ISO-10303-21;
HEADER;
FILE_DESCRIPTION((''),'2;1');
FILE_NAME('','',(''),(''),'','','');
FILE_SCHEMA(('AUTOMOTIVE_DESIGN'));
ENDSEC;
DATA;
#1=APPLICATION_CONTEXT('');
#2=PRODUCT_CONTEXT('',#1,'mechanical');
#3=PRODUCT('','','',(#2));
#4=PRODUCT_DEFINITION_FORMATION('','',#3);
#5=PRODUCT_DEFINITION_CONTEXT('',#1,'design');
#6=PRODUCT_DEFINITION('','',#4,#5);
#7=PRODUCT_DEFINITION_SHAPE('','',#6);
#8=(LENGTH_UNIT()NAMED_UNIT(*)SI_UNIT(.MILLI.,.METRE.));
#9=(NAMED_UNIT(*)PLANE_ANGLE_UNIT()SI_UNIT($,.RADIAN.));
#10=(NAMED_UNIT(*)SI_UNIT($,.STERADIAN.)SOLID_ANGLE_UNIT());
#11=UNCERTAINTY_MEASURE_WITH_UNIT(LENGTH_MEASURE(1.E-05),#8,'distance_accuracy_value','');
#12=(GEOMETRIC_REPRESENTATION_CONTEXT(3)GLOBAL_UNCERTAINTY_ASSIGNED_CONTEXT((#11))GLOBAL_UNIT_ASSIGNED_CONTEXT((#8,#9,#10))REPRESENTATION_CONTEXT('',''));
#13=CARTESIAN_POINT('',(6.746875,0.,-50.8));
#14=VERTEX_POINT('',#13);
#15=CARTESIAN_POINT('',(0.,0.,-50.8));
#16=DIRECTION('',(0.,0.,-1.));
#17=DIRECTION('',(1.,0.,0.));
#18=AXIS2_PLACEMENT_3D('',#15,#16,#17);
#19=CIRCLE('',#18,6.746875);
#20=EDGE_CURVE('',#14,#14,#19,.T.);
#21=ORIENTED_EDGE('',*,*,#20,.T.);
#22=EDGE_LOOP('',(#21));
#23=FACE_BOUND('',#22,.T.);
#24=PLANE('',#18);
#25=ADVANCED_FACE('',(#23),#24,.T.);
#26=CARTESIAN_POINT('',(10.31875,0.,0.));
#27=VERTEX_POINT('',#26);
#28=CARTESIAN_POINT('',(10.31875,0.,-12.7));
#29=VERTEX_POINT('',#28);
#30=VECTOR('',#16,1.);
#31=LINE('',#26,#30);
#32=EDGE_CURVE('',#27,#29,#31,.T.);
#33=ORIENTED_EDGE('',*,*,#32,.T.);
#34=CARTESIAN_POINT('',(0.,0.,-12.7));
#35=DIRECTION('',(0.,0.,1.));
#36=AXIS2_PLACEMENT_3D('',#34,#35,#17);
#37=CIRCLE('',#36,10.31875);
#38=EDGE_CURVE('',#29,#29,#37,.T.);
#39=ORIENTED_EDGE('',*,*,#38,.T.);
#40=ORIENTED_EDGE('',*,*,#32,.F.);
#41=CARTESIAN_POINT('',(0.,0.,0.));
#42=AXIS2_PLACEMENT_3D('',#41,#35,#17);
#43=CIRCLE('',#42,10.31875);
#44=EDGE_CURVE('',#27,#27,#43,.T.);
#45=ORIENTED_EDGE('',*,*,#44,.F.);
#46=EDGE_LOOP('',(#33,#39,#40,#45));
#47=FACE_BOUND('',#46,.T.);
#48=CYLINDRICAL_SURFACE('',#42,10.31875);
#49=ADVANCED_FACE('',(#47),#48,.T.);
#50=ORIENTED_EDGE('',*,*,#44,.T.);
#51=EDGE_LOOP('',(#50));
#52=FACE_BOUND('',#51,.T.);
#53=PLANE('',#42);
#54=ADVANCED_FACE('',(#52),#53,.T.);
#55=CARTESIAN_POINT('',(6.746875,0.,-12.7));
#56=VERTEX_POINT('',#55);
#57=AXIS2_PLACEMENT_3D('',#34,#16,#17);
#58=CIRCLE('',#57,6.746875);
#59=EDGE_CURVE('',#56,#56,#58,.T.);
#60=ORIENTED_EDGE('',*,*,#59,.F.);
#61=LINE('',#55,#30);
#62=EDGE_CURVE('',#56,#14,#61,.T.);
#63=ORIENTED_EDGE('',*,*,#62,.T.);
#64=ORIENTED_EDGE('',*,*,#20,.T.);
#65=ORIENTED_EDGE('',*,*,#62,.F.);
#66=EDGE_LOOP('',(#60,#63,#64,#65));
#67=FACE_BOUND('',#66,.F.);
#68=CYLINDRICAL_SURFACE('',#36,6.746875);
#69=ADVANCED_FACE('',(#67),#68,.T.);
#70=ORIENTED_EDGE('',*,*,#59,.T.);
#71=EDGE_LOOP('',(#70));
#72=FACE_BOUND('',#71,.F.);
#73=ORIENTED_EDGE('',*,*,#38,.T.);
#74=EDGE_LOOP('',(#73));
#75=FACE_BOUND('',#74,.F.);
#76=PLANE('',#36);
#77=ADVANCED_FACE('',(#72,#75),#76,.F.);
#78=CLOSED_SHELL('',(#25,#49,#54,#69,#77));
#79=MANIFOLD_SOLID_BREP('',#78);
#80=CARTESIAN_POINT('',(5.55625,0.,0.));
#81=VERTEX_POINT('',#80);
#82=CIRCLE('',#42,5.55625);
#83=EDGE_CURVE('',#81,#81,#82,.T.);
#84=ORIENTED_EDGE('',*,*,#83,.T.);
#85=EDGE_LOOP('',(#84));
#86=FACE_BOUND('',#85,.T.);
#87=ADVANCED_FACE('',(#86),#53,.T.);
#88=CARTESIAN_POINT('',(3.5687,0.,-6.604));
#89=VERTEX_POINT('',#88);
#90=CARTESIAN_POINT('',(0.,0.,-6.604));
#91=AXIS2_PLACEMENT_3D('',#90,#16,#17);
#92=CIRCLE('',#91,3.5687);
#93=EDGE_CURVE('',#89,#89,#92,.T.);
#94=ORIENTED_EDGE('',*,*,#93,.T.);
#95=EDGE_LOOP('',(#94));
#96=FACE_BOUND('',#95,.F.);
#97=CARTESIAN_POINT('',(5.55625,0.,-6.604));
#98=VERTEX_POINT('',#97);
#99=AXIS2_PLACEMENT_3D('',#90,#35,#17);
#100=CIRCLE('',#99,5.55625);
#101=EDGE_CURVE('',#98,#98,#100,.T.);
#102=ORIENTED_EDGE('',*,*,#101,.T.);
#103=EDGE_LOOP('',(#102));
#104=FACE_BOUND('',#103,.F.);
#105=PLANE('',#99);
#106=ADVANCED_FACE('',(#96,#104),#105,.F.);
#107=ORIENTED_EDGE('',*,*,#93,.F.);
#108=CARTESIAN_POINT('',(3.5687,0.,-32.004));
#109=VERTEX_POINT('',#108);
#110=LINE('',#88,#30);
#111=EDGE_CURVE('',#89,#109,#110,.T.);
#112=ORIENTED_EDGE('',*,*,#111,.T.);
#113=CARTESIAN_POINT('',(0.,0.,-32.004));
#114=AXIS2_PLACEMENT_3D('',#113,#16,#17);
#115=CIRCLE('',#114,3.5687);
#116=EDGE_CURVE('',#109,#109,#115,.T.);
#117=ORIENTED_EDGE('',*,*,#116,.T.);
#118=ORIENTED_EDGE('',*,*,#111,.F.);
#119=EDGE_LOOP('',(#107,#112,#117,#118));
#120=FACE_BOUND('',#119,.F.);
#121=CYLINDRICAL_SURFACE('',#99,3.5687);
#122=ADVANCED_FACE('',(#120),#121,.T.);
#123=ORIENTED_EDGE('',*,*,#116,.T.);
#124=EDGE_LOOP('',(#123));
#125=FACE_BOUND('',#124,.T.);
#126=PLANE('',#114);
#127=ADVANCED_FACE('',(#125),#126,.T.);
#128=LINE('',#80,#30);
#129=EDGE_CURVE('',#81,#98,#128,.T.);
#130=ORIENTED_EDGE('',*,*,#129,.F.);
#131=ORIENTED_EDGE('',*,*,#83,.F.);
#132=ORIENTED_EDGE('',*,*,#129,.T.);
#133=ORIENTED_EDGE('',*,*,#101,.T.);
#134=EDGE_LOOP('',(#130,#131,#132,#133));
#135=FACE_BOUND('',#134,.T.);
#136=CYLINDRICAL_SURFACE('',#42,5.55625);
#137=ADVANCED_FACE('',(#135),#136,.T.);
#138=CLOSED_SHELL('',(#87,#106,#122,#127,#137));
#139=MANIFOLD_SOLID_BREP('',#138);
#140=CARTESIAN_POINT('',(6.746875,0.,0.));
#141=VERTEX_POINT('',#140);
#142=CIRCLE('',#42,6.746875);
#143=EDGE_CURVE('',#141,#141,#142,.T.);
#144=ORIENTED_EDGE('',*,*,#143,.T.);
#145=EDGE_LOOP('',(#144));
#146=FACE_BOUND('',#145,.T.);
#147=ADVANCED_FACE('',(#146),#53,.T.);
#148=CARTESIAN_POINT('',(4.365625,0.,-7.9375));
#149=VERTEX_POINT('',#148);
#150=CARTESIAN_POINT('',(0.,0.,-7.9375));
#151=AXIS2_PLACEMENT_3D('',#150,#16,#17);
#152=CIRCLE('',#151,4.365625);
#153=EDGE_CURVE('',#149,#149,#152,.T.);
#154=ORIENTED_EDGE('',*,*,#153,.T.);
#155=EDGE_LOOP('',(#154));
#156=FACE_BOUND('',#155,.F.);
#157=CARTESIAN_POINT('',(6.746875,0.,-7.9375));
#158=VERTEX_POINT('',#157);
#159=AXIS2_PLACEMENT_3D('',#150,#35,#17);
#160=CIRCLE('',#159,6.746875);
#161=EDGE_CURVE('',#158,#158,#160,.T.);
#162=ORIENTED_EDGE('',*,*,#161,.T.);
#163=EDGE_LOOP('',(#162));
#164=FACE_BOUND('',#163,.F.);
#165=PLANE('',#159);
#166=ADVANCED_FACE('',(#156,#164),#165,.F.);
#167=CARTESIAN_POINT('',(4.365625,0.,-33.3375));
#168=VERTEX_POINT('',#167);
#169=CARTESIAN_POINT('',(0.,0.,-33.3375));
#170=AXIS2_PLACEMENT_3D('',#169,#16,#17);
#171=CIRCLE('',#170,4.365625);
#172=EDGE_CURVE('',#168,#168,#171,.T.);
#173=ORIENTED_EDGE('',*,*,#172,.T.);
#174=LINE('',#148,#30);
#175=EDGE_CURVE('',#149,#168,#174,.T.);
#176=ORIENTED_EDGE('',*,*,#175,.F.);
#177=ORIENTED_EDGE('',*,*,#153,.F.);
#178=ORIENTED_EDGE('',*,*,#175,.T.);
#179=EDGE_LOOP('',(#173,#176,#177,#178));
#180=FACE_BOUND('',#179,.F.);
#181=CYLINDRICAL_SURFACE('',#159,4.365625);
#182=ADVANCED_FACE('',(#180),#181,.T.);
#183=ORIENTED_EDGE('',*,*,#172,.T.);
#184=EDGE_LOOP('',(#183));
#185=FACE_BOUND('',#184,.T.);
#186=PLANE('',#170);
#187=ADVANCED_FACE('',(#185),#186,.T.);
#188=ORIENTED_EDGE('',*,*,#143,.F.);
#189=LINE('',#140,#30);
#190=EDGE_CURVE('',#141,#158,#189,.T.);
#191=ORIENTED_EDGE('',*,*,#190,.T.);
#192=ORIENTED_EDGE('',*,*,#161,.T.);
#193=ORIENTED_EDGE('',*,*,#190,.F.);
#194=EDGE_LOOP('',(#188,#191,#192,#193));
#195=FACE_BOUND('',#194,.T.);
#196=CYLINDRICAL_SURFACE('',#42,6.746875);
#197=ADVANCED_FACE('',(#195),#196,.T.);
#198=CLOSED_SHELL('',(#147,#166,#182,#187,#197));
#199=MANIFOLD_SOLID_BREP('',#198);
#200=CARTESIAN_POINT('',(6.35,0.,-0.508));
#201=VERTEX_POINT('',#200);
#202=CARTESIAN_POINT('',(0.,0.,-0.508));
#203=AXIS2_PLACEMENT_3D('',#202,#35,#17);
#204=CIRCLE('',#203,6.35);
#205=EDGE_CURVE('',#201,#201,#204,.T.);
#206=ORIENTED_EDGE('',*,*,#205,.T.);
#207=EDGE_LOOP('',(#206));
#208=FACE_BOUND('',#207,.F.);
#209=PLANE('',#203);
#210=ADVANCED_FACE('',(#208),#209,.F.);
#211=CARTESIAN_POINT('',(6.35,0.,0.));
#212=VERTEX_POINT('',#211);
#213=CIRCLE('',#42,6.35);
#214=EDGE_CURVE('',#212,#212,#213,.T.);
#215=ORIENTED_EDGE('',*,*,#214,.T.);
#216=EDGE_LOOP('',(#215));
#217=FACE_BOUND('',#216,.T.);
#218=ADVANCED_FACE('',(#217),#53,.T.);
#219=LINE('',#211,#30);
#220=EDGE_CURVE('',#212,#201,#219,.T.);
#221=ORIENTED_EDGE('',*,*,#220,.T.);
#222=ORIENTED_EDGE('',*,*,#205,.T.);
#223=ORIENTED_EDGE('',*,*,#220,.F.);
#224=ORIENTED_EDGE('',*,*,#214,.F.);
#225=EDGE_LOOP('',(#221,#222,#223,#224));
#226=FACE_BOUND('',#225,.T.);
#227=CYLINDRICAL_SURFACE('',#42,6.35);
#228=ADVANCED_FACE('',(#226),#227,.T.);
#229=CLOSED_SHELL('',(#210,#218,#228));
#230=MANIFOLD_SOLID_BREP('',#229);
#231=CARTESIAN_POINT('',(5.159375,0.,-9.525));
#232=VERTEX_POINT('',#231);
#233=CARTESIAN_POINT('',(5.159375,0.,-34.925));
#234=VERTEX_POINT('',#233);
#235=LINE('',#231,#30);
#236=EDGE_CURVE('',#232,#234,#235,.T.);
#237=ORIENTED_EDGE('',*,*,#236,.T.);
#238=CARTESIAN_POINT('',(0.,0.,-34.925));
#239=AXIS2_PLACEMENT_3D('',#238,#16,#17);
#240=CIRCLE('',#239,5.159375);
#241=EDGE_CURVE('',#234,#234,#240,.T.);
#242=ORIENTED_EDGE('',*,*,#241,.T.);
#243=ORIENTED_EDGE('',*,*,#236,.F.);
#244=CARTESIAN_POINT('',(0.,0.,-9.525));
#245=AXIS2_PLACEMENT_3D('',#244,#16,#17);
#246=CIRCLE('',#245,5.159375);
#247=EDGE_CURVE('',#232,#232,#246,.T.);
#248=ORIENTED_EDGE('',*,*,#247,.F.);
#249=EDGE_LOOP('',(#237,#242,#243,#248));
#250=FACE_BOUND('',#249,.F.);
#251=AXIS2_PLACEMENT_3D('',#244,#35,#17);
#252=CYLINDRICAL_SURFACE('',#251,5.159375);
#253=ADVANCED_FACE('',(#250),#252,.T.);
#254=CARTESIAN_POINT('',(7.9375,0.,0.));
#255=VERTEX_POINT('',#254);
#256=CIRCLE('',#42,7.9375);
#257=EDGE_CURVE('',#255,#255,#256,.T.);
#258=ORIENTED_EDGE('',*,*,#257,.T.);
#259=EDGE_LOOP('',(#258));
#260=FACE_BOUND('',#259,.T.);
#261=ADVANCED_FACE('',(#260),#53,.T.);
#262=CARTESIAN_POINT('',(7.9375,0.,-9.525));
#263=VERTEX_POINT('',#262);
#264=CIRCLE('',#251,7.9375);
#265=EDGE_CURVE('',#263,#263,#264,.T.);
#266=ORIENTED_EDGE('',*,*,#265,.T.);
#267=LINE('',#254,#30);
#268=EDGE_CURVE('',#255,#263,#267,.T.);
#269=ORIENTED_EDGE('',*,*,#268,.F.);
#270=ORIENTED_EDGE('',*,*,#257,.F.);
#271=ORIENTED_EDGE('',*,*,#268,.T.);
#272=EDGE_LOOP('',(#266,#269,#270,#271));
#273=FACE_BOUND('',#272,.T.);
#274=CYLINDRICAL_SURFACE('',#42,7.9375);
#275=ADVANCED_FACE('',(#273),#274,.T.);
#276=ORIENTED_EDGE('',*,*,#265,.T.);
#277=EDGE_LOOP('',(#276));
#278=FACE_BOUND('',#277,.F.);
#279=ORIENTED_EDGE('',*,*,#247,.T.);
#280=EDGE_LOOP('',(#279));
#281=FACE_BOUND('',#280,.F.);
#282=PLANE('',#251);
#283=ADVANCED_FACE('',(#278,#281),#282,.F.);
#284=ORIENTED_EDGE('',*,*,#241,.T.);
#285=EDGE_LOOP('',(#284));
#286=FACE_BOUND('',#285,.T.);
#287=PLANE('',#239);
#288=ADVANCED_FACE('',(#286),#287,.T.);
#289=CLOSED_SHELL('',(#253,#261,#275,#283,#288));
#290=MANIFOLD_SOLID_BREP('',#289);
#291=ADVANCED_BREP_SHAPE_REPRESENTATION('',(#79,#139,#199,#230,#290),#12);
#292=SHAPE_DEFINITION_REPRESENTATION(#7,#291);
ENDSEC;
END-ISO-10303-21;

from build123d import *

# Parameters (mm, degrees)
F0_R      = 6.35
F1_DEPTH  = 0.508
F2_R      = 5.55625
F3_DEPTH  = 6.604
F4_R      = 3.5687
F5_DEPTH  = 25.4
F6_R      = 6.746875
F7_DEPTH  = 7.9375
F8_R      = 4.365625
F9_DEPTH  = 25.4
F10_R     = 7.9375
F11_DEPTH = 9.525
F12_R     = 5.159375
F13_DEPTH = 25.4
F14_R     = 10.31875
F15_DEPTH = 12.7
F16_R     = 6.746875
F17_DEPTH = 38.1


with BuildPart() as f1:
    # F0 (on Top) → F1 (new body)
    with BuildSketch(Plane.XY):
        Circle(F0_R)
    extrude(amount=-F1_DEPTH)


with BuildPart() as f3:
    # F2 (on Top) → F3 (new body)
    with BuildSketch(Plane.XY):
        Circle(F2_R)
    extrude(amount=-F3_DEPTH)

    # F4 (on face) → F5 (join)
    with BuildSketch(Plane(origin=(0, 0, -6.604), x_dir=(1, 0, 0), z_dir=(0, 0, -1))):
        Circle(F4_R)
    extrude(amount=F5_DEPTH)


with BuildPart() as f7:
    # F6 (on Top) → F7 (new body)
    with BuildSketch(Plane.XY):
        Circle(F6_R)
    extrude(amount=-F7_DEPTH)

    # F8 (on face) → F9 (join)
    with BuildSketch(Plane(origin=(0, 0, -7.9375), x_dir=(1, 0, 0), z_dir=(0, 0, -1))):
        Circle(F8_R)
    extrude(amount=F9_DEPTH)


with BuildPart() as f11:
    # F10 (on Top) → F11 (new body)
    with BuildSketch(Plane.XY):
        Circle(F10_R)
    extrude(amount=-F11_DEPTH)

    # F12 (on face) → F13 (join)
    with BuildSketch(Plane(origin=(0, 0, -9.525), x_dir=(1, 0, 0), z_dir=(0, 0, -1))):
        Circle(F12_R)
    extrude(amount=F13_DEPTH)


with BuildPart() as f15:
    # F14 (on Top) → F15 (new body)
    with BuildSketch(Plane.XY):
        Circle(F14_R)
    extrude(amount=-F15_DEPTH)

    # F16 (on face) → F17 (join)
    with BuildSketch(Plane(origin=(0, 0, -12.7), x_dir=(1, 0, 0), z_dir=(0, 0, -1))):
        Circle(F16_R)
    extrude(amount=F17_DEPTH)


solid = Compound([f1.part, f3.part, f7.part, f11.part, f15.part])
